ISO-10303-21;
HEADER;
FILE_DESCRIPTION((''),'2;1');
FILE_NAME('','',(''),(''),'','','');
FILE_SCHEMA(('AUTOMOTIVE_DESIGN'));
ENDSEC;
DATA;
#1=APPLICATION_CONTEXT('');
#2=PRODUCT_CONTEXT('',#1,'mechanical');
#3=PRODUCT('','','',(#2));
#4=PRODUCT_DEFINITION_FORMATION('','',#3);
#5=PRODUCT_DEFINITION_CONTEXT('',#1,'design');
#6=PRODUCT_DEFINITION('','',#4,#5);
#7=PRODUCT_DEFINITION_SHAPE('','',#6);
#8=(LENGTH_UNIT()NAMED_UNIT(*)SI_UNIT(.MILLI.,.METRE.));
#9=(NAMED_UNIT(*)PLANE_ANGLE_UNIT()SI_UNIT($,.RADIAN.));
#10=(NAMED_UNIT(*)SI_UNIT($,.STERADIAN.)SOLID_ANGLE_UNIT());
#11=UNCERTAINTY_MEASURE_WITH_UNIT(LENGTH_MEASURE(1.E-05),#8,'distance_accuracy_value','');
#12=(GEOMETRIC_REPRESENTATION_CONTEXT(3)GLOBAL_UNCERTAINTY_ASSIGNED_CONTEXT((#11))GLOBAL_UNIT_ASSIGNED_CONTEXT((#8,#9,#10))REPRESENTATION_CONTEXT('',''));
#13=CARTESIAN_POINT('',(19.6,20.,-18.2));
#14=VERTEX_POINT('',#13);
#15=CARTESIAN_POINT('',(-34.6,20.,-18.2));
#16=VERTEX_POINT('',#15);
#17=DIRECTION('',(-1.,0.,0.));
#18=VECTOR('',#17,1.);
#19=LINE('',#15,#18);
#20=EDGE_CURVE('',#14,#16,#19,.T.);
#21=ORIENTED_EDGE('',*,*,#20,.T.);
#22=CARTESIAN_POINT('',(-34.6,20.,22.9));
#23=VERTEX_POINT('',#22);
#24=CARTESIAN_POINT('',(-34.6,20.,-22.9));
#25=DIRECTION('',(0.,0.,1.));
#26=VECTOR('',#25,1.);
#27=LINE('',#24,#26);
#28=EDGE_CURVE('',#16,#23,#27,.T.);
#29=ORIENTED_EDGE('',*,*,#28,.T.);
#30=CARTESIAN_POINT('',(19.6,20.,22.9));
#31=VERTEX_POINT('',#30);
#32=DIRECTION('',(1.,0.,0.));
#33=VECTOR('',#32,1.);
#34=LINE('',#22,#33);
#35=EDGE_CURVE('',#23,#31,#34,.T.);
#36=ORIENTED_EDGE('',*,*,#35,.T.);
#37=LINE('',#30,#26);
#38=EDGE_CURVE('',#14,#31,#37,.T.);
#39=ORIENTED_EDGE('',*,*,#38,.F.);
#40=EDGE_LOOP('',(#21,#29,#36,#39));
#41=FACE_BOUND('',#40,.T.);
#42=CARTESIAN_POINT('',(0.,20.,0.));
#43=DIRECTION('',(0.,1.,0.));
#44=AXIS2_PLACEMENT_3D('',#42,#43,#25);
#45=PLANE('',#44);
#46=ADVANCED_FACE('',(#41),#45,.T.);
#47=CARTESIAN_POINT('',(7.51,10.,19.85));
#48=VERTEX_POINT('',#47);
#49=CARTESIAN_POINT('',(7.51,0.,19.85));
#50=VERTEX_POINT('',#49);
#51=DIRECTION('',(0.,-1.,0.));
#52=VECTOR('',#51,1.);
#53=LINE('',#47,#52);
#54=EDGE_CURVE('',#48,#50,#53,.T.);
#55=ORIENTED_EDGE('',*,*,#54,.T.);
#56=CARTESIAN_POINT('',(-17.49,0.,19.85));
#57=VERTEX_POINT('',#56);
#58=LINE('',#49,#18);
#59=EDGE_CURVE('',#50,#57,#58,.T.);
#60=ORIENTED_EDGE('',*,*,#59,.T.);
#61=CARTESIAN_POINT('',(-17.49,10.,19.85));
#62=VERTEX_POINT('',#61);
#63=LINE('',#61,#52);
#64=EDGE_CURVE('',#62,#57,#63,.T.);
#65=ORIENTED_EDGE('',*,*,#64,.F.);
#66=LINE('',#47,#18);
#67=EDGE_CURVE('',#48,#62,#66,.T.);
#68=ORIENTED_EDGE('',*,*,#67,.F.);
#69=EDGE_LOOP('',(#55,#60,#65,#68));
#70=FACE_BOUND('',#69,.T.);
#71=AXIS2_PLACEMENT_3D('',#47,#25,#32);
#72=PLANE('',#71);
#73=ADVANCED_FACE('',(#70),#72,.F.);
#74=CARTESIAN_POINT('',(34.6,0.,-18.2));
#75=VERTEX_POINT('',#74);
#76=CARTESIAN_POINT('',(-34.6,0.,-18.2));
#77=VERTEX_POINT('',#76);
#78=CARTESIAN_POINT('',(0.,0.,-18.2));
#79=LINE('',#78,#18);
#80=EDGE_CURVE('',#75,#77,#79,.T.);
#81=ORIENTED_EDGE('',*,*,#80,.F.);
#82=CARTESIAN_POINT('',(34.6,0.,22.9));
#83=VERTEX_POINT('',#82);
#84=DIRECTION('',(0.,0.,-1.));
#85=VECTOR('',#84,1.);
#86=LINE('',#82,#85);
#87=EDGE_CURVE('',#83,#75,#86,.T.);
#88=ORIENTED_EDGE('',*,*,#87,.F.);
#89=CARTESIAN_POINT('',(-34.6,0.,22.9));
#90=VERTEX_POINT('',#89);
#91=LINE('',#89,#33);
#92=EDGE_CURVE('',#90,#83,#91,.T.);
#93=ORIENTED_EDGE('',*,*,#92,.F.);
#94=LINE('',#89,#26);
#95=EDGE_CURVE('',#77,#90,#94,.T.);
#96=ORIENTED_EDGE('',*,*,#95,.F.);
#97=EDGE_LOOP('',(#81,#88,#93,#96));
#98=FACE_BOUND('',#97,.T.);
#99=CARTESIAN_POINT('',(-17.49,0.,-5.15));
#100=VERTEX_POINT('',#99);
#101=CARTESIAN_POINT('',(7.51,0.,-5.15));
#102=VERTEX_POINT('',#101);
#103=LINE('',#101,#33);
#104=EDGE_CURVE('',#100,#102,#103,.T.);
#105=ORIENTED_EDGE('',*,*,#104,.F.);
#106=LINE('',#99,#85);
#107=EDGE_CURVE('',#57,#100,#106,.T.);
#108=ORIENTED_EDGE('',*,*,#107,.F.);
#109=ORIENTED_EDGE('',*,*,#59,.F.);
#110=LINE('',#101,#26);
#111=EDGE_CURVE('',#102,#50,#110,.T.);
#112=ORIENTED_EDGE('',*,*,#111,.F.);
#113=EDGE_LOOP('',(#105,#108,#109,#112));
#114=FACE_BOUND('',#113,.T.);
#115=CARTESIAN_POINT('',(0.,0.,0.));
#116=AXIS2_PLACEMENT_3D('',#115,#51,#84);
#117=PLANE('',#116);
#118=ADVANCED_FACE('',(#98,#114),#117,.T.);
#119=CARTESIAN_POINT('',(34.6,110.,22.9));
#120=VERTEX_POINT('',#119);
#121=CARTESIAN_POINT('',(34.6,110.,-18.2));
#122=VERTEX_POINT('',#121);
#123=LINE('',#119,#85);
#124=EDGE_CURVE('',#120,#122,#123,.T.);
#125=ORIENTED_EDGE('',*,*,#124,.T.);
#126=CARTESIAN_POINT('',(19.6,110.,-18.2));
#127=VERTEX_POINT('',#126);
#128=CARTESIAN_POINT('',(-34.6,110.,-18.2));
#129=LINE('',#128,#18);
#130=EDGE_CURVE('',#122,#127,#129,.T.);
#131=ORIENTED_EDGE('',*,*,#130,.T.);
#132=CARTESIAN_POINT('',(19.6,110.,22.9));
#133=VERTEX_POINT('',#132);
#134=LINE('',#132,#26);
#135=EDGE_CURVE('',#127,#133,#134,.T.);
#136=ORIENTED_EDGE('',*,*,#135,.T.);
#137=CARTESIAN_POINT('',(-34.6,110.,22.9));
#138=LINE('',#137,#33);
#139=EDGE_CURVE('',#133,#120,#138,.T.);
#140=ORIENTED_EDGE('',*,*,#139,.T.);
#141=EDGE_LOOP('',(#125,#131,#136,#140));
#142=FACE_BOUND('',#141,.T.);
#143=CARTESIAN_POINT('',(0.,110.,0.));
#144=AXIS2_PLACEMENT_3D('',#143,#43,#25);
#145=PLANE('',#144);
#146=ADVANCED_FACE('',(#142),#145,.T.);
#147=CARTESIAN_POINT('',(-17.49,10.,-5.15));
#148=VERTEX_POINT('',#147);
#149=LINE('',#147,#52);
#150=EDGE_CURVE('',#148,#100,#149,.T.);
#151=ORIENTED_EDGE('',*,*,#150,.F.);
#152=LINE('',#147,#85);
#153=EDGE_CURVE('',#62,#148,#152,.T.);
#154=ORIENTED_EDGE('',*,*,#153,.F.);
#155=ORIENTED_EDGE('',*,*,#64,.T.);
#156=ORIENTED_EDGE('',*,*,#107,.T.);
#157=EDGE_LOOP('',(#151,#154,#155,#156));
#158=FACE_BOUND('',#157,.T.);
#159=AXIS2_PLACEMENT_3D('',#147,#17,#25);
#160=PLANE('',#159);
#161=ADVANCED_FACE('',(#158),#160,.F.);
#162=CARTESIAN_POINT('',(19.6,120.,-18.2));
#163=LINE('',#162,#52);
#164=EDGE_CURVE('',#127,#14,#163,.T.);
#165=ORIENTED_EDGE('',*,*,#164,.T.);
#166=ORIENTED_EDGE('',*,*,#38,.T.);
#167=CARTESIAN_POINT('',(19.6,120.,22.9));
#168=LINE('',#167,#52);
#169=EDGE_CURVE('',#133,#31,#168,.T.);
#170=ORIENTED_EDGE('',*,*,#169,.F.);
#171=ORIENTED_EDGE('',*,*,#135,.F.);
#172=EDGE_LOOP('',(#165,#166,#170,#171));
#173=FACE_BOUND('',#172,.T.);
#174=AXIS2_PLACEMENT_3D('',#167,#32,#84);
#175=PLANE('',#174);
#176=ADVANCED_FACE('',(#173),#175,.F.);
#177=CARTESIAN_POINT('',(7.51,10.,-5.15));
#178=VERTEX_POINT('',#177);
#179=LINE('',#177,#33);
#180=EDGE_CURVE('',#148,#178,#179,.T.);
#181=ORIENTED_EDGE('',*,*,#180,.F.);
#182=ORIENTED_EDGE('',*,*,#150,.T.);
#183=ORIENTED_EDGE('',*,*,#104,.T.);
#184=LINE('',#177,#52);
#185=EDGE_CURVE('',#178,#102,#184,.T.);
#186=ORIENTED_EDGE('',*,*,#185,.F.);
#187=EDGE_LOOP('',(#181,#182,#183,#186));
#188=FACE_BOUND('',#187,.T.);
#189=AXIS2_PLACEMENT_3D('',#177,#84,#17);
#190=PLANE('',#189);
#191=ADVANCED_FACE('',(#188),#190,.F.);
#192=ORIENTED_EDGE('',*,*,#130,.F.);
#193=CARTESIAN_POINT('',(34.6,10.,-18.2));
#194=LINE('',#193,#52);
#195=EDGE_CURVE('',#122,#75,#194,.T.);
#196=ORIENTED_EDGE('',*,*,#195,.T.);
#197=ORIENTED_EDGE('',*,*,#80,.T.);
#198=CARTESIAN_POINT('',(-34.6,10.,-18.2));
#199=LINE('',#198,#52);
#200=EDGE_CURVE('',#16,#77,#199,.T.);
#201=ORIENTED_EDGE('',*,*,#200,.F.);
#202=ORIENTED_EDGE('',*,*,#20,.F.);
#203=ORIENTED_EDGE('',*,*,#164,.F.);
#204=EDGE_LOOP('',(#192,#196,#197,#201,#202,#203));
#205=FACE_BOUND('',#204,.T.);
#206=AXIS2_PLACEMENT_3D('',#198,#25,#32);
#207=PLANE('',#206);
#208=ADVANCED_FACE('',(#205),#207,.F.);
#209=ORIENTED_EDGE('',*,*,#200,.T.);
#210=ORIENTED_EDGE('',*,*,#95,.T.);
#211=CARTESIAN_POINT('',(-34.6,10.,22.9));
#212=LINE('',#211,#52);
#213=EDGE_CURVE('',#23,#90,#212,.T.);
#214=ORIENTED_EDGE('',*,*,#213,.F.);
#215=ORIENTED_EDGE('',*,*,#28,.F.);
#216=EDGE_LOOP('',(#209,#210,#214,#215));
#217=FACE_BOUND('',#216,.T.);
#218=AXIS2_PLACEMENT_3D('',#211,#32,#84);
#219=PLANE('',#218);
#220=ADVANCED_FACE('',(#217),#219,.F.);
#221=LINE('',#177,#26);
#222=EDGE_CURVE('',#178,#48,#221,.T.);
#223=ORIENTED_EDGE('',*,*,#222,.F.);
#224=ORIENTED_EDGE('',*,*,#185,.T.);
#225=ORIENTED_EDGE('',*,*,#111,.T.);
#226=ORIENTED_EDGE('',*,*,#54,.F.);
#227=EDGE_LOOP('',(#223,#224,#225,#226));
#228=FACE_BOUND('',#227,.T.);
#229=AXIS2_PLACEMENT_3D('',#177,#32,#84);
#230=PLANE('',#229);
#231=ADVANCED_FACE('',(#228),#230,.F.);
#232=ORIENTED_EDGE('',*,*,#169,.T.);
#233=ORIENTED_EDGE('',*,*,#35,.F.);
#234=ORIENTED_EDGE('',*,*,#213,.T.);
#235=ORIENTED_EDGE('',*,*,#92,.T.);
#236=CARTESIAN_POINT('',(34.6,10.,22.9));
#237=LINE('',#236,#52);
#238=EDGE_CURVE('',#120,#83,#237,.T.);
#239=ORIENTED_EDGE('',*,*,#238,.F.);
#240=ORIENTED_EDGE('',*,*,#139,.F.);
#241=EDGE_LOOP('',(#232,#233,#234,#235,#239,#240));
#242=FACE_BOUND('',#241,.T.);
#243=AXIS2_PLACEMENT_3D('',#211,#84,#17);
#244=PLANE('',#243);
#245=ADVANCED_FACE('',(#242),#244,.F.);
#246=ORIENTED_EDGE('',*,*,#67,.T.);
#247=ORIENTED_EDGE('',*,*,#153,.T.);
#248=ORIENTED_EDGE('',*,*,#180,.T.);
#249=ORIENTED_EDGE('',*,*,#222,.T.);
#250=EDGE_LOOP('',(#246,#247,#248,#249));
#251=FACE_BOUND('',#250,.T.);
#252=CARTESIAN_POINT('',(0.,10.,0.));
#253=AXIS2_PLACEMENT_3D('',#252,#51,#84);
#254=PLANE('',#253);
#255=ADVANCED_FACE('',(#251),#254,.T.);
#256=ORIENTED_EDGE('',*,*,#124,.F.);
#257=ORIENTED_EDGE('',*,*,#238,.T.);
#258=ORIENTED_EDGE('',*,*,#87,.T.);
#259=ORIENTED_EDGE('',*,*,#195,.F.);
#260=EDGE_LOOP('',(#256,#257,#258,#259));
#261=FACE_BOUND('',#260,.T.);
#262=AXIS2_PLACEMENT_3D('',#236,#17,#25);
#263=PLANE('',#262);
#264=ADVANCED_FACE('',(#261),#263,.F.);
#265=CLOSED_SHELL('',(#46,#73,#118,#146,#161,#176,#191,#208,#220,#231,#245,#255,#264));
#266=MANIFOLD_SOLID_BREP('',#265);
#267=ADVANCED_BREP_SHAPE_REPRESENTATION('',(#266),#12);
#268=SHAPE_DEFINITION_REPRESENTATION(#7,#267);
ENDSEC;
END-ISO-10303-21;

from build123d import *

# Parameters (mm, degrees)
SKETCH4_W            = 69.2
SKETCH4_H            = 45.8
SKETCH4_W_2          = 30
SKETCH4_H_2          = 30
BOSS_EXTRUDE11_DEPTH = 10
SKETCH9_W            = 69.2
SKETCH9_H            = 45.8
BOSS_EXTRUDE12_DEPTH = 10
SKETCH10_W           = 15
SKETCH10_H           = 45.8
BOSS_EXTRUDE13_DEPTH = 100
MOVE_FACE2_BY        = 4.7
MOVE_FACE3_BY        = 10
SKETCH11_W           = 25
SKETCH11_H           = 25
CUT_EXTRUDE1_DEPTH   = 10
MOVE_FACE4_BY        = 10


with BuildPart() as part:
    # Sketch4 → Boss-Extrude11 (new body)
    with BuildSketch(Plane(origin=(0, 0, 0), x_dir=(1, 0, 0), z_dir=(0, 1, 0))):
        Rectangle(SKETCH4_W, SKETCH4_H)
        Rectangle(SKETCH4_W_2, SKETCH4_H_2, mode=Mode.SUBTRACT)
    extrude(amount=BOSS_EXTRUDE11_DEPTH)

    # Sketch9 → Boss-Extrude12 (add)
    with BuildSketch(Plane(origin=(0, 10, 0), x_dir=(1, 0, 0), z_dir=(0, 1, 0))):
        Rectangle(SKETCH9_W, SKETCH9_H)
    extrude(amount=BOSS_EXTRUDE12_DEPTH)

    # Sketch10 → Boss-Extrude13 (add)
    with BuildSketch(Plane(origin=(0, 20, 0), x_dir=(1, 0, 0), z_dir=(0, 1, 0))):
        with Locations((27.1, 0)):
            Rectangle(SKETCH10_W, SKETCH10_H)
    extrude(amount=BOSS_EXTRUDE13_DEPTH)

    # Move Face2: a face moved inward by 4.7
    extrude(part.faces().sort_by_distance((0, 12, -22.9))[0], amount=MOVE_FACE2_BY, dir=(0, 0, 1), mode=Mode.SUBTRACT)

    # Move Face3: a face moved outward by 10.0
    extrude(part.faces().sort_by_distance((0, 10, 0))[0], amount=MOVE_FACE3_BY, dir=(0, -1, 0))

    # Sketch11 → Cut-Extrude1 (cut)
    with BuildSketch(Plane.XZ):
        with Locations((-4.99, 7.35)):
            Rectangle(SKETCH11_W, SKETCH11_H)
    extrude(amount=-CUT_EXTRUDE1_DEPTH, mode=Mode.SUBTRACT)

    # Move Face4: a face moved inward by 10.0
    extrude(part.faces().sort_by_distance((27.1, 120, 2.35))[0], amount=MOVE_FACE4_BY, dir=(0, -1, 0), mode=Mode.SUBTRACT)


solid = part.part
